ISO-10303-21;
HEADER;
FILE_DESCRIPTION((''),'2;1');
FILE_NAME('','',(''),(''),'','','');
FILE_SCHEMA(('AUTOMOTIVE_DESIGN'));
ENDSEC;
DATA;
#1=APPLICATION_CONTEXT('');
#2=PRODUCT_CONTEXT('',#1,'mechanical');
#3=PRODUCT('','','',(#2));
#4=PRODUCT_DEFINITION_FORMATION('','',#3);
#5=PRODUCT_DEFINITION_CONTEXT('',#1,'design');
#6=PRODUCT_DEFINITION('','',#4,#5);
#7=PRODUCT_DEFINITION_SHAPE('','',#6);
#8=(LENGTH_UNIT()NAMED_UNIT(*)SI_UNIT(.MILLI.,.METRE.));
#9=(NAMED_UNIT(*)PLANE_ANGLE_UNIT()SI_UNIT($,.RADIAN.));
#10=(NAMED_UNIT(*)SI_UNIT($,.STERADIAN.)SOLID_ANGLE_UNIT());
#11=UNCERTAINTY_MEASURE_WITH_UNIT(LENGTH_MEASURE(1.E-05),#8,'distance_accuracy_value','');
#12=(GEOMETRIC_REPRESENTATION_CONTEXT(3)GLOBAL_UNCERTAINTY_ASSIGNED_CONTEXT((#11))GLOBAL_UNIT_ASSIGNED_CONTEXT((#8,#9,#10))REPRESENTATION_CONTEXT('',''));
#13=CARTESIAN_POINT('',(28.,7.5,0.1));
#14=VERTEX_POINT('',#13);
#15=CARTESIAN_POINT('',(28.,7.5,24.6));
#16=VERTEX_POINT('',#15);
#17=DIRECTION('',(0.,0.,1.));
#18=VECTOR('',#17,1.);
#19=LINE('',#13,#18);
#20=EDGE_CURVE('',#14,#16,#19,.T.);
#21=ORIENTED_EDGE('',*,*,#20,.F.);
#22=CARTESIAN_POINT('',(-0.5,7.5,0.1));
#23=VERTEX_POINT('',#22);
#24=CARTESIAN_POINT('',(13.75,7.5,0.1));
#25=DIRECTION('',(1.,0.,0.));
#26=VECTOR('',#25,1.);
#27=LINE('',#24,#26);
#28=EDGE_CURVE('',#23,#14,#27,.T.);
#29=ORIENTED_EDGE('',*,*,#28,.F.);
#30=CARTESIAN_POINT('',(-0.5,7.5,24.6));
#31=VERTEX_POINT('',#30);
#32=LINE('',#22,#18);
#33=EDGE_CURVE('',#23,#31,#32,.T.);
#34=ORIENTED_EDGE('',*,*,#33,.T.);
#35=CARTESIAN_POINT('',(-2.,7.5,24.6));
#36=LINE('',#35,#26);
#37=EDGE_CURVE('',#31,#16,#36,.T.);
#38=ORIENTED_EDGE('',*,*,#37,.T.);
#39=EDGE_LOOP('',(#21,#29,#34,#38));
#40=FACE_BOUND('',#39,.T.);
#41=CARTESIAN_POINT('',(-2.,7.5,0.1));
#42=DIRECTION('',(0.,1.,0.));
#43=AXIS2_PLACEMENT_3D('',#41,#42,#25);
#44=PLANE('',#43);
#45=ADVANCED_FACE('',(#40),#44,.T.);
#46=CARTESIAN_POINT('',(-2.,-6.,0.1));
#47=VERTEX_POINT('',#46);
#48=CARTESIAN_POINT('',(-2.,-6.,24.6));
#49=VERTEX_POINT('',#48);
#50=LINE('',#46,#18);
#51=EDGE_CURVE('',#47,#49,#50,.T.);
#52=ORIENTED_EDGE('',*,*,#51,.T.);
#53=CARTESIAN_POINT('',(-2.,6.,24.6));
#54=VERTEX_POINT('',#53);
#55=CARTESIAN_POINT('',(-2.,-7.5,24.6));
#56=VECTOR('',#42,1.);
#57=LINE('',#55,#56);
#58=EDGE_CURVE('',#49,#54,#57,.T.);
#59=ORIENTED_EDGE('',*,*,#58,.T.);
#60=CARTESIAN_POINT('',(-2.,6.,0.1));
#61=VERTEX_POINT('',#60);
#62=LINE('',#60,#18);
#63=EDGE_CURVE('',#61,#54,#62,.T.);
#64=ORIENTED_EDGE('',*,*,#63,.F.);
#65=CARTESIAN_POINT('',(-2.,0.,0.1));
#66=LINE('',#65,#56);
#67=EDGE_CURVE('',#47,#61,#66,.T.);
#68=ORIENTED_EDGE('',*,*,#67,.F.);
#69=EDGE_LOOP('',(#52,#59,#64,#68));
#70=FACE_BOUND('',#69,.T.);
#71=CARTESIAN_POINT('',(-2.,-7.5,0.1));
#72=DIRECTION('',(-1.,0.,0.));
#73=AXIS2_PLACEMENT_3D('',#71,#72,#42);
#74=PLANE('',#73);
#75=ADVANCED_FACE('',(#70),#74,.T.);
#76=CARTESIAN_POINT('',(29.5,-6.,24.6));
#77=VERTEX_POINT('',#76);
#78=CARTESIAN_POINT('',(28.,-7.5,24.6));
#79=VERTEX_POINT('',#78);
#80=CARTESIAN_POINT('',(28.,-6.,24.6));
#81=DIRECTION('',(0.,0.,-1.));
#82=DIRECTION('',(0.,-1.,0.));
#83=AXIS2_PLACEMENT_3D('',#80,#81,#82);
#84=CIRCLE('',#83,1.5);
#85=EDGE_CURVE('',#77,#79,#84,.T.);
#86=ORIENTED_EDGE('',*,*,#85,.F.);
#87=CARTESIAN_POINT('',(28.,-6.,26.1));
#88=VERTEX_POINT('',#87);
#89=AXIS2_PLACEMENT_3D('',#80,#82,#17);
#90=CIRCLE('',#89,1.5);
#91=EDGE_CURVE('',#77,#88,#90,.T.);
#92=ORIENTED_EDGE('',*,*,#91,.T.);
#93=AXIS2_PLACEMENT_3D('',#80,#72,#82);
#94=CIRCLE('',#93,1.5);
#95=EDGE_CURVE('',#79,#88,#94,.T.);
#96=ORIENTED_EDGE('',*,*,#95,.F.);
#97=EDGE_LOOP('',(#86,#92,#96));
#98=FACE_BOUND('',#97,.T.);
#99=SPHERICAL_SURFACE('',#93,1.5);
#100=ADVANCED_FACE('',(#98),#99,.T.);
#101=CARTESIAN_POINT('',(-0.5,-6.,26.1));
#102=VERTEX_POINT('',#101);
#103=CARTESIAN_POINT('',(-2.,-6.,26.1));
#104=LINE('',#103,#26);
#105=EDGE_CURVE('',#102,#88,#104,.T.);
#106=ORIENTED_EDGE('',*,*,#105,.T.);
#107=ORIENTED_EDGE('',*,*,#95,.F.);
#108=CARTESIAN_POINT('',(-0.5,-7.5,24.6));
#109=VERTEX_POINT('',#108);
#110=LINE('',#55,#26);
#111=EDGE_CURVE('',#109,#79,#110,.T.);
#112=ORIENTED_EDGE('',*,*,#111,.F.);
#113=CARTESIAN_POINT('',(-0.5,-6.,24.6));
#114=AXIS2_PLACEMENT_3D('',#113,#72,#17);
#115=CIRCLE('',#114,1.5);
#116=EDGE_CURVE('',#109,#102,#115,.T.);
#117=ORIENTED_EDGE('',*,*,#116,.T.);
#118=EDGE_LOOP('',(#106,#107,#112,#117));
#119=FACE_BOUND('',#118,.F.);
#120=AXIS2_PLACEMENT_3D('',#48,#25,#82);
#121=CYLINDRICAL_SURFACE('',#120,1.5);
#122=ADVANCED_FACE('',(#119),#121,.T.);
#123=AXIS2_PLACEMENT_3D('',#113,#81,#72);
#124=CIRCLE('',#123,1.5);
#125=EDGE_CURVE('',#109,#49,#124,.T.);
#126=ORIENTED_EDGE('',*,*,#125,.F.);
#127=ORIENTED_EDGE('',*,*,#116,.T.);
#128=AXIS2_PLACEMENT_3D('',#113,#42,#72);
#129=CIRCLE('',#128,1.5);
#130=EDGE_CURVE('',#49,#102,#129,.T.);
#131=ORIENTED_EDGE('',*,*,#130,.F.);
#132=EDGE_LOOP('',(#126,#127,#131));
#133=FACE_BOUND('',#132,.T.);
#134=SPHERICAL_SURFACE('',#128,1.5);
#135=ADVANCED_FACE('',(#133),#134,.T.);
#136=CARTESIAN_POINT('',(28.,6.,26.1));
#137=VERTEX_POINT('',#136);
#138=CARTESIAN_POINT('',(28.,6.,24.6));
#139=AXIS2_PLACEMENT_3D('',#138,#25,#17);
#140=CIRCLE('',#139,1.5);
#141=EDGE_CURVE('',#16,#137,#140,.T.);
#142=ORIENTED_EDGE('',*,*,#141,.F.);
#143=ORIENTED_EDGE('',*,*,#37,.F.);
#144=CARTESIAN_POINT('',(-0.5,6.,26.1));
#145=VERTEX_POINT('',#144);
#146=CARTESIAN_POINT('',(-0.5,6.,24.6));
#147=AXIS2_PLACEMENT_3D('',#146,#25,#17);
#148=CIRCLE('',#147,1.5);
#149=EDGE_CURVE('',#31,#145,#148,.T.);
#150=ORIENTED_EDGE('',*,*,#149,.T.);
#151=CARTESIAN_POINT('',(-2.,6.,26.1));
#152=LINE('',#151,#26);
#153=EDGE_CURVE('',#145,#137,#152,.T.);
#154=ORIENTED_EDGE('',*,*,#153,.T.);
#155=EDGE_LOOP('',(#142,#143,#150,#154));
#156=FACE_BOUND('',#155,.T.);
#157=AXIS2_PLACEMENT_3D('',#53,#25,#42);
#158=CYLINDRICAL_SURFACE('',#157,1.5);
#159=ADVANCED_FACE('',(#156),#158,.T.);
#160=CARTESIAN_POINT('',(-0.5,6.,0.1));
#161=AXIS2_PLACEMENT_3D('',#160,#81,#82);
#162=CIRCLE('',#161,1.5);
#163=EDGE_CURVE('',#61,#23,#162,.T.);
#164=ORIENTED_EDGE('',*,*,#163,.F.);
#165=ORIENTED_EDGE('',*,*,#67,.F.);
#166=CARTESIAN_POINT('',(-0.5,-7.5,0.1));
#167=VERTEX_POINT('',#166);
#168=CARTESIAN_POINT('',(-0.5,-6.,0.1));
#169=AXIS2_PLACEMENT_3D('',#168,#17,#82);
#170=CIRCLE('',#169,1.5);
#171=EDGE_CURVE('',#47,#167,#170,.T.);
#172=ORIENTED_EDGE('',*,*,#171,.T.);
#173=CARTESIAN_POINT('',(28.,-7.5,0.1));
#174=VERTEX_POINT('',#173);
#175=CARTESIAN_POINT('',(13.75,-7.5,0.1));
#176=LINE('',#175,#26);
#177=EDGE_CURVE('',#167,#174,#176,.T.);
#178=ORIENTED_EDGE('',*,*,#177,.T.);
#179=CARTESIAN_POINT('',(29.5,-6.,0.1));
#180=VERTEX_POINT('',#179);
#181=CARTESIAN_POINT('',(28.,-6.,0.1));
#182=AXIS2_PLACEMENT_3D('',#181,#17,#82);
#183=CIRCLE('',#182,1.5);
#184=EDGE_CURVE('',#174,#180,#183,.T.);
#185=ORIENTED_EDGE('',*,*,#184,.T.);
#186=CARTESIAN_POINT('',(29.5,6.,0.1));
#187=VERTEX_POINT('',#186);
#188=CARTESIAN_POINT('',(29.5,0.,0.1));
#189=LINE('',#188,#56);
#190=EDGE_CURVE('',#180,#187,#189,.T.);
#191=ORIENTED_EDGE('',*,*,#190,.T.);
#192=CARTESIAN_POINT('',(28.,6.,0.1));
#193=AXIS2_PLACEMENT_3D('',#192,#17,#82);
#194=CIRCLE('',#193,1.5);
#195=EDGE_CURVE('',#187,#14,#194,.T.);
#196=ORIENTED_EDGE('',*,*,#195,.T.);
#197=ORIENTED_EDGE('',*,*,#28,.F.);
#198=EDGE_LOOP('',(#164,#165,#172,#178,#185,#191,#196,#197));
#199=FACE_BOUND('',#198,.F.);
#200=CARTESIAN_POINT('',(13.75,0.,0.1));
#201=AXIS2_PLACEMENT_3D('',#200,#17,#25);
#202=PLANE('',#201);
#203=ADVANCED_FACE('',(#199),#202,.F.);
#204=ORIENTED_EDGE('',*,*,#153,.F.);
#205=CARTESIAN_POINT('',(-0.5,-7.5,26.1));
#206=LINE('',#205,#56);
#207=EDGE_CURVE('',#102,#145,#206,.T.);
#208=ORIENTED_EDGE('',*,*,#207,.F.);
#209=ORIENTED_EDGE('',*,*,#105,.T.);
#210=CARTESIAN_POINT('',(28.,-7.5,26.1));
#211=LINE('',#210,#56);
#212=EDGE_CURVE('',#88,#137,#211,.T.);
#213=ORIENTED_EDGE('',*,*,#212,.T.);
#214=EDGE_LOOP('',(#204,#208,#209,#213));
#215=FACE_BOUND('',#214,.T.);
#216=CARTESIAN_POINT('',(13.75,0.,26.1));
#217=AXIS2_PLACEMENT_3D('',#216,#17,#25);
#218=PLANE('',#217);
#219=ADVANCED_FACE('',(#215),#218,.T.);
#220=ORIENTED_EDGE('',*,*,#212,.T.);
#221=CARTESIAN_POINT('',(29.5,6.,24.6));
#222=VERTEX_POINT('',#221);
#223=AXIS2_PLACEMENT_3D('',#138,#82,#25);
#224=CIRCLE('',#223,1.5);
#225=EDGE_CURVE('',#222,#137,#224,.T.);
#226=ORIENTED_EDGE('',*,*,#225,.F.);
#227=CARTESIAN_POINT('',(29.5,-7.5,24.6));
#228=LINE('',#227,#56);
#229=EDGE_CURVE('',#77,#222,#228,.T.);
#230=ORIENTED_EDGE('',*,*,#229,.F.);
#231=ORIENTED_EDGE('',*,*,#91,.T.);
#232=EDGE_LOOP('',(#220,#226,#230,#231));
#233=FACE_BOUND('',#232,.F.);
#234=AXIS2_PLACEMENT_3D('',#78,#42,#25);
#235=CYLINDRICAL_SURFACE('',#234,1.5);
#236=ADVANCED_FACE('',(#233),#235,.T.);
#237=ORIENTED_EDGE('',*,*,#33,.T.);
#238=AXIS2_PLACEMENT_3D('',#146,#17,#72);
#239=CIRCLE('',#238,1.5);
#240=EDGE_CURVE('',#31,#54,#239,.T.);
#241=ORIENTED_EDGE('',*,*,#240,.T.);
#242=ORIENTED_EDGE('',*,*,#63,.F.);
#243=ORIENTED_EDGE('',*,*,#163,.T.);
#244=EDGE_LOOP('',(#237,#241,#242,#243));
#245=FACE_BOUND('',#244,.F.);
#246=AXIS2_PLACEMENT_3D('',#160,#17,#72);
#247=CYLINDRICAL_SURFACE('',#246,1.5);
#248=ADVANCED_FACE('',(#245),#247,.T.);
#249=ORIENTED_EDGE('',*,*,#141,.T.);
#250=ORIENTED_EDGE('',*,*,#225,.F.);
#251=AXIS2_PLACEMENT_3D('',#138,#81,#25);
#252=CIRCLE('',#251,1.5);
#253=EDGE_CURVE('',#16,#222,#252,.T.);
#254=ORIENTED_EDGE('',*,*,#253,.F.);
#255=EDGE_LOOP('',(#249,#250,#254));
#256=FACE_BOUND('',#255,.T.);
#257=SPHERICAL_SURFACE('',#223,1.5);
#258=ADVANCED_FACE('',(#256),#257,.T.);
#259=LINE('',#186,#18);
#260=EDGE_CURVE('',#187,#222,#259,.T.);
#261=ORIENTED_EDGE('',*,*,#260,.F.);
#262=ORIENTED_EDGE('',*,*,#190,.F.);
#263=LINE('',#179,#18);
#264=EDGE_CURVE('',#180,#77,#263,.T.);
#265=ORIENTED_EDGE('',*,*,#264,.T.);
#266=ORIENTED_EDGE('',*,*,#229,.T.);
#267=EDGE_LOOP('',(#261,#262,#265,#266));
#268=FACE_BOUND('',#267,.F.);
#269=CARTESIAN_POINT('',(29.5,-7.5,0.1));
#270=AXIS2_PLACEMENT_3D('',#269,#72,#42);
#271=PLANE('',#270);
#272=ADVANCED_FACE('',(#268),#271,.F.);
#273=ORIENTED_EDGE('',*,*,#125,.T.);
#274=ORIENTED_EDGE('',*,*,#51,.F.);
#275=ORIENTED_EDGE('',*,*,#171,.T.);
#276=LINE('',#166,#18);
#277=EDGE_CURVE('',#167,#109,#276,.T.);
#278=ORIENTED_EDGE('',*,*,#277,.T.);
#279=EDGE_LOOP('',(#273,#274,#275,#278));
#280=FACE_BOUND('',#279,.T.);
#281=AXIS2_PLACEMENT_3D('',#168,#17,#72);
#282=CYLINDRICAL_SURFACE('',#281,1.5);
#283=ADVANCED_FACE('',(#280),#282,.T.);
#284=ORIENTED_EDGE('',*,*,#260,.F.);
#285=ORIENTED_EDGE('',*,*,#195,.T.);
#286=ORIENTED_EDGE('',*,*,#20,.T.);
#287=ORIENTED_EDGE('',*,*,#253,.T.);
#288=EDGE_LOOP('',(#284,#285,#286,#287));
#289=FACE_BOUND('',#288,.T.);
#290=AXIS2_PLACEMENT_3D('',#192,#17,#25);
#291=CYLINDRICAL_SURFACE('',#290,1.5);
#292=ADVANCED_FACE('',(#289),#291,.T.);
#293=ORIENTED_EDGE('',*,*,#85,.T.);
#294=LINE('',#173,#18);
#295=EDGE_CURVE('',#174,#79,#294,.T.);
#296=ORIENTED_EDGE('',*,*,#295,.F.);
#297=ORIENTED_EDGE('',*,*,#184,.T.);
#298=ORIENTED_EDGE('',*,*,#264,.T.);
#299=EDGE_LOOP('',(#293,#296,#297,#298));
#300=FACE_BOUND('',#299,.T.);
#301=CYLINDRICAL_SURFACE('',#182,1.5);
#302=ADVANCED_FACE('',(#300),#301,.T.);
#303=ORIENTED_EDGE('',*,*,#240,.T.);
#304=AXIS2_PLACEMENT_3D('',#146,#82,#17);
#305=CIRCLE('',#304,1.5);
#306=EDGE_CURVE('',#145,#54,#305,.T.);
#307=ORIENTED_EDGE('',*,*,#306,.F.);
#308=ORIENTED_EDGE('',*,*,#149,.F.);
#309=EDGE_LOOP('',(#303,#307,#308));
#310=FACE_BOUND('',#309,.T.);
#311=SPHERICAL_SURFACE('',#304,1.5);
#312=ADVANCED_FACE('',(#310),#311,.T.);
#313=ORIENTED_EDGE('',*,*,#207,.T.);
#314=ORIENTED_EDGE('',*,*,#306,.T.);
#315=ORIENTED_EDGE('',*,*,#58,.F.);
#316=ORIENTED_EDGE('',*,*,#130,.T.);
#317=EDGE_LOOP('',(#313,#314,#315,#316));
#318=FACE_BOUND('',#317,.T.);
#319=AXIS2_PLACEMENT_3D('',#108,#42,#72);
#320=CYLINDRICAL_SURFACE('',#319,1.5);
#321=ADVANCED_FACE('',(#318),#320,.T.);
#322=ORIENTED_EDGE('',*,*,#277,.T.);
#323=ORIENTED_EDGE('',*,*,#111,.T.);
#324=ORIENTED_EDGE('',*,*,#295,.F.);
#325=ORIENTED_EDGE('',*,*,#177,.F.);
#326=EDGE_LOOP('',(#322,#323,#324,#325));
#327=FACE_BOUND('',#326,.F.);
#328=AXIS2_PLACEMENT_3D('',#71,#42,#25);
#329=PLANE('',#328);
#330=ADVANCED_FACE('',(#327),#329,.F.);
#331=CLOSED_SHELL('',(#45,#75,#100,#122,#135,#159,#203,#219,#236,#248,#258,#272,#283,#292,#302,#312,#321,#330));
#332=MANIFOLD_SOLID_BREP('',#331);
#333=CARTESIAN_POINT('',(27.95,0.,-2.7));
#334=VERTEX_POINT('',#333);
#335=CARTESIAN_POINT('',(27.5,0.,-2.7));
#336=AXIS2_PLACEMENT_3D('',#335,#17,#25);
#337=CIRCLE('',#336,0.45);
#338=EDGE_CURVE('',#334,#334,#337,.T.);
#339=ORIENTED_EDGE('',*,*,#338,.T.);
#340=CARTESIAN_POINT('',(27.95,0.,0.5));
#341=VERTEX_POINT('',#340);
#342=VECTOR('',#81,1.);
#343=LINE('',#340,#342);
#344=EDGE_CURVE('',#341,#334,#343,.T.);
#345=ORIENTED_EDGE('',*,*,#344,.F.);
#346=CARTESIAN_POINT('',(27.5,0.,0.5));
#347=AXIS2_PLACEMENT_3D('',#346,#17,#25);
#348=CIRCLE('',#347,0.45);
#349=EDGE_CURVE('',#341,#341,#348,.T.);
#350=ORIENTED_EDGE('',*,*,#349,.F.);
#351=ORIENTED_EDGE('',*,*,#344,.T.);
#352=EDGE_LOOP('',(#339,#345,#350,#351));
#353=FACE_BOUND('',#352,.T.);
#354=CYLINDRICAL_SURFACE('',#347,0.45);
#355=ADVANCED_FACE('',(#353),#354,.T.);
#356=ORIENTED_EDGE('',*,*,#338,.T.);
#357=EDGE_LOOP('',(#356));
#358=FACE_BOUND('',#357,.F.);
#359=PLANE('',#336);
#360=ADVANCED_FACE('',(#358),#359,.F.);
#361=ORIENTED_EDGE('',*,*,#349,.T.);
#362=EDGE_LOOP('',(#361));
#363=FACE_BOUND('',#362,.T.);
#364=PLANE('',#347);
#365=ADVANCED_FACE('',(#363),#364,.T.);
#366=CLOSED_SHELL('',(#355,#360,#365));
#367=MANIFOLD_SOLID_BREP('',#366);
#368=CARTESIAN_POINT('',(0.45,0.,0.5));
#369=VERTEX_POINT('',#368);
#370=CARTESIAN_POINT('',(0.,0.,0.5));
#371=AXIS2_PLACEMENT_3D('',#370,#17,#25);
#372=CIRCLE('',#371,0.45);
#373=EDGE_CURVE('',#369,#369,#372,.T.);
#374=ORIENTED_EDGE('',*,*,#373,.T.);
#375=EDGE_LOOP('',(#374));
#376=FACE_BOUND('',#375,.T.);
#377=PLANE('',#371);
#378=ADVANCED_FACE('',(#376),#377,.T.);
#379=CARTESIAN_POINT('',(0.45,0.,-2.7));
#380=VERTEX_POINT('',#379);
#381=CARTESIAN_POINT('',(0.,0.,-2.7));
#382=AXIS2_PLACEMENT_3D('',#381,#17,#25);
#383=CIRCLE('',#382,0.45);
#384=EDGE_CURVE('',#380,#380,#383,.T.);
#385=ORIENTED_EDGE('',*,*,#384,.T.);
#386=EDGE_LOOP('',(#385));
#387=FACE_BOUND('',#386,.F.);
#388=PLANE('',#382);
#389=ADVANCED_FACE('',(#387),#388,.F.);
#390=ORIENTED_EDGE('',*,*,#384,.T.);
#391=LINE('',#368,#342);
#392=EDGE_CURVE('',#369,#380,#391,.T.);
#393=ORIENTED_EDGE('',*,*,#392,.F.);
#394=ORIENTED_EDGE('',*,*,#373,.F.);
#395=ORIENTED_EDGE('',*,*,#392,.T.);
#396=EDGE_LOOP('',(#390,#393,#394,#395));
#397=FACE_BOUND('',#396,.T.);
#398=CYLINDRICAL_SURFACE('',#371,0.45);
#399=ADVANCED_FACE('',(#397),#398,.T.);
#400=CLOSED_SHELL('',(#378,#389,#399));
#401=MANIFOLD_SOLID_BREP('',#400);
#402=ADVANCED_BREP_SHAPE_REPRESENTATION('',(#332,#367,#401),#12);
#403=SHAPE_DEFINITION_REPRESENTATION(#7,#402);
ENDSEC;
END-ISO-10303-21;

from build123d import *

# Parameters (mm, degrees)
SKETCH_W     = 31.5
SKETCH_H     = 15
PAD_DEPTH    = 26
FILLET_R     = 1.5
SKETCH001_R  = 0.45
PAD001_DEPTH = 3.2


with BuildPart() as fillet_body:
    # Sketch → Pad (new body)
    with BuildSketch(Plane.XY.offset(0.1)):
        with Locations((13.75, 0)):
            Rectangle(SKETCH_W, SKETCH_H)
    extrude(amount=PAD_DEPTH)

    # Fillet
    fillet_edges = [fillet_body.edges().sort_by_distance(p)[0] for p in [
        (-2, 0, 26.1),
        (-2, -7.5, 13.1),
        (13.75, -7.5, 26.1),
        (29.5, -7.5, 13.1),
        (29.5, 0, 26.1),
        (29.5, 7.5, 13.1),
        (13.75, 7.5, 26.1),
        (-2, 7.5, 13.1),
    ]]
    fillet(fillet_edges, radius=FILLET_R)


with BuildPart() as pad001:
    # Sketch001 → Pad001 (new body)
    with BuildSketch(Plane.XY.offset(0.5)):
        Circle(SKETCH001_R)
        with Locations((27.5, 0)):
            Circle(SKETCH001_R)
    extrude(amount=-PAD001_DEPTH)


solid = Compound([fillet_body.part, pad001.part])
